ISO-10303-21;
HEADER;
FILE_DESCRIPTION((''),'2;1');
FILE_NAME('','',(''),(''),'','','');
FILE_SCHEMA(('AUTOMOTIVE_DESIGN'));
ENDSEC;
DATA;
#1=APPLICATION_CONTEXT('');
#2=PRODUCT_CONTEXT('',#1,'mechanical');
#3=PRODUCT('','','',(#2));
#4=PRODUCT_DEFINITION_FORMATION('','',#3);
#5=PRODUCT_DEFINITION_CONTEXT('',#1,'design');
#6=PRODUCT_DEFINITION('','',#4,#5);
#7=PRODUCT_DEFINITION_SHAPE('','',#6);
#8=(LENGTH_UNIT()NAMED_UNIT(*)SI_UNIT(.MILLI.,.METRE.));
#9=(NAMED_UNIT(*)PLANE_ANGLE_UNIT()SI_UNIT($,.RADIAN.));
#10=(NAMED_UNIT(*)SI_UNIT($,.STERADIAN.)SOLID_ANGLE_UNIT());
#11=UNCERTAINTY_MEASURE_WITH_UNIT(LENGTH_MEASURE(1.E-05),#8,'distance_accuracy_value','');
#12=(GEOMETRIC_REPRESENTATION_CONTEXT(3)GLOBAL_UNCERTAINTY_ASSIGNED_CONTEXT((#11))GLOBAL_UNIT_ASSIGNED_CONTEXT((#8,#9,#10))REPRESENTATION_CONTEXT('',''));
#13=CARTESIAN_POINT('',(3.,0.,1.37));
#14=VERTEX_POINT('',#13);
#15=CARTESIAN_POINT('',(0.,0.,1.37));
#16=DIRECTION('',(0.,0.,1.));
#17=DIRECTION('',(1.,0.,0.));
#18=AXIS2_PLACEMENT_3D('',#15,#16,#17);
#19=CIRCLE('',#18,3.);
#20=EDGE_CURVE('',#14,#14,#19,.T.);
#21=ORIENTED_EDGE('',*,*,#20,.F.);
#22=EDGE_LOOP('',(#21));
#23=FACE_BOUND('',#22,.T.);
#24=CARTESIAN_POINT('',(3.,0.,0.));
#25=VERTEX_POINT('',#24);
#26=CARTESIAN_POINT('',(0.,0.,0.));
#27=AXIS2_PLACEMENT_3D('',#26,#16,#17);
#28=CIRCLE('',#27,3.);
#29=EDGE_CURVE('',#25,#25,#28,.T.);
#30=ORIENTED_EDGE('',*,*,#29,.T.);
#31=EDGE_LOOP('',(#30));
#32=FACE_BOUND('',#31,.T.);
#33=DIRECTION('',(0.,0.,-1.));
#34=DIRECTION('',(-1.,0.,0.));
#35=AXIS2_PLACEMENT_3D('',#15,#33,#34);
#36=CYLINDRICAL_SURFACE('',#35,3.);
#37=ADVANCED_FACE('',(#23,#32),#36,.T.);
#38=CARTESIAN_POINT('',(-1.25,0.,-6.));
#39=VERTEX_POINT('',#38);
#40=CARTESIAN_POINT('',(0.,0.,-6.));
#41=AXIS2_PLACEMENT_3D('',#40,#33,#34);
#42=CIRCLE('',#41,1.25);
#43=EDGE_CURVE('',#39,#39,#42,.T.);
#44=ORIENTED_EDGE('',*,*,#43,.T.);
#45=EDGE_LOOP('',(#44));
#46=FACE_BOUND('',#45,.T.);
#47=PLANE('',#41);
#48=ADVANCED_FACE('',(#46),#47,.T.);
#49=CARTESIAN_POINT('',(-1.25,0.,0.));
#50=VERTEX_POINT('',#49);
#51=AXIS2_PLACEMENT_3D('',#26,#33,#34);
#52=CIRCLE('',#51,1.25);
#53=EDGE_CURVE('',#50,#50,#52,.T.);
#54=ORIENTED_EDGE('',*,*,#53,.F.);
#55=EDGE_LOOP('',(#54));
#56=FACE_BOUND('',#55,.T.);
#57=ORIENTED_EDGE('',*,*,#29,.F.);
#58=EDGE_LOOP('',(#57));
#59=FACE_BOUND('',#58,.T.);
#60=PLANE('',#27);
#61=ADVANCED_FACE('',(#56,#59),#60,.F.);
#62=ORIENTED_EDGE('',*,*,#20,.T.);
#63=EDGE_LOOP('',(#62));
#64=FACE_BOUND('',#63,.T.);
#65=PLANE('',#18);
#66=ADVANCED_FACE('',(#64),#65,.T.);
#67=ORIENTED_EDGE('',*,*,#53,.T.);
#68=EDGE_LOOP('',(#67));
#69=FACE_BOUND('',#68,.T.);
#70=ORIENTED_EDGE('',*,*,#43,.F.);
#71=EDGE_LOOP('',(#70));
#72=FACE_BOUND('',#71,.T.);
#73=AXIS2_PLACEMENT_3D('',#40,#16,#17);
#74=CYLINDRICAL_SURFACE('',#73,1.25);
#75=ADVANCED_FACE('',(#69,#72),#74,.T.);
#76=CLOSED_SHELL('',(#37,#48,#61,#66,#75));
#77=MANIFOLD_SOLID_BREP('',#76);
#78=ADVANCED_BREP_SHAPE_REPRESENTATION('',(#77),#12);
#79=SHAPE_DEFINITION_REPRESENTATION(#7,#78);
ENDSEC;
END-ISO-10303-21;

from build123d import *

# Parameters (mm, degrees)
ESQUISSE1_R        = 3
BOSS_EXTRU_1_DEPTH = 1.37
ESQUISSE2_R        = 1.25
BOSS_EXTRU_2_DEPTH = 6


with BuildPart() as part:
    # Esquisse1 → Boss.-Extru.1 (new body)
    with BuildSketch(Plane.XY):
        Circle(ESQUISSE1_R)
    extrude(amount=BOSS_EXTRU_1_DEPTH)

    # Esquisse2 → Boss.-Extru.2 (add)
    with BuildSketch(Plane(origin=(0, 0, 0), x_dir=(-1, 0, 0), z_dir=(0, 0, -1))):
        Circle(ESQUISSE2_R)
    extrude(amount=BOSS_EXTRU_2_DEPTH)


solid = part.part
